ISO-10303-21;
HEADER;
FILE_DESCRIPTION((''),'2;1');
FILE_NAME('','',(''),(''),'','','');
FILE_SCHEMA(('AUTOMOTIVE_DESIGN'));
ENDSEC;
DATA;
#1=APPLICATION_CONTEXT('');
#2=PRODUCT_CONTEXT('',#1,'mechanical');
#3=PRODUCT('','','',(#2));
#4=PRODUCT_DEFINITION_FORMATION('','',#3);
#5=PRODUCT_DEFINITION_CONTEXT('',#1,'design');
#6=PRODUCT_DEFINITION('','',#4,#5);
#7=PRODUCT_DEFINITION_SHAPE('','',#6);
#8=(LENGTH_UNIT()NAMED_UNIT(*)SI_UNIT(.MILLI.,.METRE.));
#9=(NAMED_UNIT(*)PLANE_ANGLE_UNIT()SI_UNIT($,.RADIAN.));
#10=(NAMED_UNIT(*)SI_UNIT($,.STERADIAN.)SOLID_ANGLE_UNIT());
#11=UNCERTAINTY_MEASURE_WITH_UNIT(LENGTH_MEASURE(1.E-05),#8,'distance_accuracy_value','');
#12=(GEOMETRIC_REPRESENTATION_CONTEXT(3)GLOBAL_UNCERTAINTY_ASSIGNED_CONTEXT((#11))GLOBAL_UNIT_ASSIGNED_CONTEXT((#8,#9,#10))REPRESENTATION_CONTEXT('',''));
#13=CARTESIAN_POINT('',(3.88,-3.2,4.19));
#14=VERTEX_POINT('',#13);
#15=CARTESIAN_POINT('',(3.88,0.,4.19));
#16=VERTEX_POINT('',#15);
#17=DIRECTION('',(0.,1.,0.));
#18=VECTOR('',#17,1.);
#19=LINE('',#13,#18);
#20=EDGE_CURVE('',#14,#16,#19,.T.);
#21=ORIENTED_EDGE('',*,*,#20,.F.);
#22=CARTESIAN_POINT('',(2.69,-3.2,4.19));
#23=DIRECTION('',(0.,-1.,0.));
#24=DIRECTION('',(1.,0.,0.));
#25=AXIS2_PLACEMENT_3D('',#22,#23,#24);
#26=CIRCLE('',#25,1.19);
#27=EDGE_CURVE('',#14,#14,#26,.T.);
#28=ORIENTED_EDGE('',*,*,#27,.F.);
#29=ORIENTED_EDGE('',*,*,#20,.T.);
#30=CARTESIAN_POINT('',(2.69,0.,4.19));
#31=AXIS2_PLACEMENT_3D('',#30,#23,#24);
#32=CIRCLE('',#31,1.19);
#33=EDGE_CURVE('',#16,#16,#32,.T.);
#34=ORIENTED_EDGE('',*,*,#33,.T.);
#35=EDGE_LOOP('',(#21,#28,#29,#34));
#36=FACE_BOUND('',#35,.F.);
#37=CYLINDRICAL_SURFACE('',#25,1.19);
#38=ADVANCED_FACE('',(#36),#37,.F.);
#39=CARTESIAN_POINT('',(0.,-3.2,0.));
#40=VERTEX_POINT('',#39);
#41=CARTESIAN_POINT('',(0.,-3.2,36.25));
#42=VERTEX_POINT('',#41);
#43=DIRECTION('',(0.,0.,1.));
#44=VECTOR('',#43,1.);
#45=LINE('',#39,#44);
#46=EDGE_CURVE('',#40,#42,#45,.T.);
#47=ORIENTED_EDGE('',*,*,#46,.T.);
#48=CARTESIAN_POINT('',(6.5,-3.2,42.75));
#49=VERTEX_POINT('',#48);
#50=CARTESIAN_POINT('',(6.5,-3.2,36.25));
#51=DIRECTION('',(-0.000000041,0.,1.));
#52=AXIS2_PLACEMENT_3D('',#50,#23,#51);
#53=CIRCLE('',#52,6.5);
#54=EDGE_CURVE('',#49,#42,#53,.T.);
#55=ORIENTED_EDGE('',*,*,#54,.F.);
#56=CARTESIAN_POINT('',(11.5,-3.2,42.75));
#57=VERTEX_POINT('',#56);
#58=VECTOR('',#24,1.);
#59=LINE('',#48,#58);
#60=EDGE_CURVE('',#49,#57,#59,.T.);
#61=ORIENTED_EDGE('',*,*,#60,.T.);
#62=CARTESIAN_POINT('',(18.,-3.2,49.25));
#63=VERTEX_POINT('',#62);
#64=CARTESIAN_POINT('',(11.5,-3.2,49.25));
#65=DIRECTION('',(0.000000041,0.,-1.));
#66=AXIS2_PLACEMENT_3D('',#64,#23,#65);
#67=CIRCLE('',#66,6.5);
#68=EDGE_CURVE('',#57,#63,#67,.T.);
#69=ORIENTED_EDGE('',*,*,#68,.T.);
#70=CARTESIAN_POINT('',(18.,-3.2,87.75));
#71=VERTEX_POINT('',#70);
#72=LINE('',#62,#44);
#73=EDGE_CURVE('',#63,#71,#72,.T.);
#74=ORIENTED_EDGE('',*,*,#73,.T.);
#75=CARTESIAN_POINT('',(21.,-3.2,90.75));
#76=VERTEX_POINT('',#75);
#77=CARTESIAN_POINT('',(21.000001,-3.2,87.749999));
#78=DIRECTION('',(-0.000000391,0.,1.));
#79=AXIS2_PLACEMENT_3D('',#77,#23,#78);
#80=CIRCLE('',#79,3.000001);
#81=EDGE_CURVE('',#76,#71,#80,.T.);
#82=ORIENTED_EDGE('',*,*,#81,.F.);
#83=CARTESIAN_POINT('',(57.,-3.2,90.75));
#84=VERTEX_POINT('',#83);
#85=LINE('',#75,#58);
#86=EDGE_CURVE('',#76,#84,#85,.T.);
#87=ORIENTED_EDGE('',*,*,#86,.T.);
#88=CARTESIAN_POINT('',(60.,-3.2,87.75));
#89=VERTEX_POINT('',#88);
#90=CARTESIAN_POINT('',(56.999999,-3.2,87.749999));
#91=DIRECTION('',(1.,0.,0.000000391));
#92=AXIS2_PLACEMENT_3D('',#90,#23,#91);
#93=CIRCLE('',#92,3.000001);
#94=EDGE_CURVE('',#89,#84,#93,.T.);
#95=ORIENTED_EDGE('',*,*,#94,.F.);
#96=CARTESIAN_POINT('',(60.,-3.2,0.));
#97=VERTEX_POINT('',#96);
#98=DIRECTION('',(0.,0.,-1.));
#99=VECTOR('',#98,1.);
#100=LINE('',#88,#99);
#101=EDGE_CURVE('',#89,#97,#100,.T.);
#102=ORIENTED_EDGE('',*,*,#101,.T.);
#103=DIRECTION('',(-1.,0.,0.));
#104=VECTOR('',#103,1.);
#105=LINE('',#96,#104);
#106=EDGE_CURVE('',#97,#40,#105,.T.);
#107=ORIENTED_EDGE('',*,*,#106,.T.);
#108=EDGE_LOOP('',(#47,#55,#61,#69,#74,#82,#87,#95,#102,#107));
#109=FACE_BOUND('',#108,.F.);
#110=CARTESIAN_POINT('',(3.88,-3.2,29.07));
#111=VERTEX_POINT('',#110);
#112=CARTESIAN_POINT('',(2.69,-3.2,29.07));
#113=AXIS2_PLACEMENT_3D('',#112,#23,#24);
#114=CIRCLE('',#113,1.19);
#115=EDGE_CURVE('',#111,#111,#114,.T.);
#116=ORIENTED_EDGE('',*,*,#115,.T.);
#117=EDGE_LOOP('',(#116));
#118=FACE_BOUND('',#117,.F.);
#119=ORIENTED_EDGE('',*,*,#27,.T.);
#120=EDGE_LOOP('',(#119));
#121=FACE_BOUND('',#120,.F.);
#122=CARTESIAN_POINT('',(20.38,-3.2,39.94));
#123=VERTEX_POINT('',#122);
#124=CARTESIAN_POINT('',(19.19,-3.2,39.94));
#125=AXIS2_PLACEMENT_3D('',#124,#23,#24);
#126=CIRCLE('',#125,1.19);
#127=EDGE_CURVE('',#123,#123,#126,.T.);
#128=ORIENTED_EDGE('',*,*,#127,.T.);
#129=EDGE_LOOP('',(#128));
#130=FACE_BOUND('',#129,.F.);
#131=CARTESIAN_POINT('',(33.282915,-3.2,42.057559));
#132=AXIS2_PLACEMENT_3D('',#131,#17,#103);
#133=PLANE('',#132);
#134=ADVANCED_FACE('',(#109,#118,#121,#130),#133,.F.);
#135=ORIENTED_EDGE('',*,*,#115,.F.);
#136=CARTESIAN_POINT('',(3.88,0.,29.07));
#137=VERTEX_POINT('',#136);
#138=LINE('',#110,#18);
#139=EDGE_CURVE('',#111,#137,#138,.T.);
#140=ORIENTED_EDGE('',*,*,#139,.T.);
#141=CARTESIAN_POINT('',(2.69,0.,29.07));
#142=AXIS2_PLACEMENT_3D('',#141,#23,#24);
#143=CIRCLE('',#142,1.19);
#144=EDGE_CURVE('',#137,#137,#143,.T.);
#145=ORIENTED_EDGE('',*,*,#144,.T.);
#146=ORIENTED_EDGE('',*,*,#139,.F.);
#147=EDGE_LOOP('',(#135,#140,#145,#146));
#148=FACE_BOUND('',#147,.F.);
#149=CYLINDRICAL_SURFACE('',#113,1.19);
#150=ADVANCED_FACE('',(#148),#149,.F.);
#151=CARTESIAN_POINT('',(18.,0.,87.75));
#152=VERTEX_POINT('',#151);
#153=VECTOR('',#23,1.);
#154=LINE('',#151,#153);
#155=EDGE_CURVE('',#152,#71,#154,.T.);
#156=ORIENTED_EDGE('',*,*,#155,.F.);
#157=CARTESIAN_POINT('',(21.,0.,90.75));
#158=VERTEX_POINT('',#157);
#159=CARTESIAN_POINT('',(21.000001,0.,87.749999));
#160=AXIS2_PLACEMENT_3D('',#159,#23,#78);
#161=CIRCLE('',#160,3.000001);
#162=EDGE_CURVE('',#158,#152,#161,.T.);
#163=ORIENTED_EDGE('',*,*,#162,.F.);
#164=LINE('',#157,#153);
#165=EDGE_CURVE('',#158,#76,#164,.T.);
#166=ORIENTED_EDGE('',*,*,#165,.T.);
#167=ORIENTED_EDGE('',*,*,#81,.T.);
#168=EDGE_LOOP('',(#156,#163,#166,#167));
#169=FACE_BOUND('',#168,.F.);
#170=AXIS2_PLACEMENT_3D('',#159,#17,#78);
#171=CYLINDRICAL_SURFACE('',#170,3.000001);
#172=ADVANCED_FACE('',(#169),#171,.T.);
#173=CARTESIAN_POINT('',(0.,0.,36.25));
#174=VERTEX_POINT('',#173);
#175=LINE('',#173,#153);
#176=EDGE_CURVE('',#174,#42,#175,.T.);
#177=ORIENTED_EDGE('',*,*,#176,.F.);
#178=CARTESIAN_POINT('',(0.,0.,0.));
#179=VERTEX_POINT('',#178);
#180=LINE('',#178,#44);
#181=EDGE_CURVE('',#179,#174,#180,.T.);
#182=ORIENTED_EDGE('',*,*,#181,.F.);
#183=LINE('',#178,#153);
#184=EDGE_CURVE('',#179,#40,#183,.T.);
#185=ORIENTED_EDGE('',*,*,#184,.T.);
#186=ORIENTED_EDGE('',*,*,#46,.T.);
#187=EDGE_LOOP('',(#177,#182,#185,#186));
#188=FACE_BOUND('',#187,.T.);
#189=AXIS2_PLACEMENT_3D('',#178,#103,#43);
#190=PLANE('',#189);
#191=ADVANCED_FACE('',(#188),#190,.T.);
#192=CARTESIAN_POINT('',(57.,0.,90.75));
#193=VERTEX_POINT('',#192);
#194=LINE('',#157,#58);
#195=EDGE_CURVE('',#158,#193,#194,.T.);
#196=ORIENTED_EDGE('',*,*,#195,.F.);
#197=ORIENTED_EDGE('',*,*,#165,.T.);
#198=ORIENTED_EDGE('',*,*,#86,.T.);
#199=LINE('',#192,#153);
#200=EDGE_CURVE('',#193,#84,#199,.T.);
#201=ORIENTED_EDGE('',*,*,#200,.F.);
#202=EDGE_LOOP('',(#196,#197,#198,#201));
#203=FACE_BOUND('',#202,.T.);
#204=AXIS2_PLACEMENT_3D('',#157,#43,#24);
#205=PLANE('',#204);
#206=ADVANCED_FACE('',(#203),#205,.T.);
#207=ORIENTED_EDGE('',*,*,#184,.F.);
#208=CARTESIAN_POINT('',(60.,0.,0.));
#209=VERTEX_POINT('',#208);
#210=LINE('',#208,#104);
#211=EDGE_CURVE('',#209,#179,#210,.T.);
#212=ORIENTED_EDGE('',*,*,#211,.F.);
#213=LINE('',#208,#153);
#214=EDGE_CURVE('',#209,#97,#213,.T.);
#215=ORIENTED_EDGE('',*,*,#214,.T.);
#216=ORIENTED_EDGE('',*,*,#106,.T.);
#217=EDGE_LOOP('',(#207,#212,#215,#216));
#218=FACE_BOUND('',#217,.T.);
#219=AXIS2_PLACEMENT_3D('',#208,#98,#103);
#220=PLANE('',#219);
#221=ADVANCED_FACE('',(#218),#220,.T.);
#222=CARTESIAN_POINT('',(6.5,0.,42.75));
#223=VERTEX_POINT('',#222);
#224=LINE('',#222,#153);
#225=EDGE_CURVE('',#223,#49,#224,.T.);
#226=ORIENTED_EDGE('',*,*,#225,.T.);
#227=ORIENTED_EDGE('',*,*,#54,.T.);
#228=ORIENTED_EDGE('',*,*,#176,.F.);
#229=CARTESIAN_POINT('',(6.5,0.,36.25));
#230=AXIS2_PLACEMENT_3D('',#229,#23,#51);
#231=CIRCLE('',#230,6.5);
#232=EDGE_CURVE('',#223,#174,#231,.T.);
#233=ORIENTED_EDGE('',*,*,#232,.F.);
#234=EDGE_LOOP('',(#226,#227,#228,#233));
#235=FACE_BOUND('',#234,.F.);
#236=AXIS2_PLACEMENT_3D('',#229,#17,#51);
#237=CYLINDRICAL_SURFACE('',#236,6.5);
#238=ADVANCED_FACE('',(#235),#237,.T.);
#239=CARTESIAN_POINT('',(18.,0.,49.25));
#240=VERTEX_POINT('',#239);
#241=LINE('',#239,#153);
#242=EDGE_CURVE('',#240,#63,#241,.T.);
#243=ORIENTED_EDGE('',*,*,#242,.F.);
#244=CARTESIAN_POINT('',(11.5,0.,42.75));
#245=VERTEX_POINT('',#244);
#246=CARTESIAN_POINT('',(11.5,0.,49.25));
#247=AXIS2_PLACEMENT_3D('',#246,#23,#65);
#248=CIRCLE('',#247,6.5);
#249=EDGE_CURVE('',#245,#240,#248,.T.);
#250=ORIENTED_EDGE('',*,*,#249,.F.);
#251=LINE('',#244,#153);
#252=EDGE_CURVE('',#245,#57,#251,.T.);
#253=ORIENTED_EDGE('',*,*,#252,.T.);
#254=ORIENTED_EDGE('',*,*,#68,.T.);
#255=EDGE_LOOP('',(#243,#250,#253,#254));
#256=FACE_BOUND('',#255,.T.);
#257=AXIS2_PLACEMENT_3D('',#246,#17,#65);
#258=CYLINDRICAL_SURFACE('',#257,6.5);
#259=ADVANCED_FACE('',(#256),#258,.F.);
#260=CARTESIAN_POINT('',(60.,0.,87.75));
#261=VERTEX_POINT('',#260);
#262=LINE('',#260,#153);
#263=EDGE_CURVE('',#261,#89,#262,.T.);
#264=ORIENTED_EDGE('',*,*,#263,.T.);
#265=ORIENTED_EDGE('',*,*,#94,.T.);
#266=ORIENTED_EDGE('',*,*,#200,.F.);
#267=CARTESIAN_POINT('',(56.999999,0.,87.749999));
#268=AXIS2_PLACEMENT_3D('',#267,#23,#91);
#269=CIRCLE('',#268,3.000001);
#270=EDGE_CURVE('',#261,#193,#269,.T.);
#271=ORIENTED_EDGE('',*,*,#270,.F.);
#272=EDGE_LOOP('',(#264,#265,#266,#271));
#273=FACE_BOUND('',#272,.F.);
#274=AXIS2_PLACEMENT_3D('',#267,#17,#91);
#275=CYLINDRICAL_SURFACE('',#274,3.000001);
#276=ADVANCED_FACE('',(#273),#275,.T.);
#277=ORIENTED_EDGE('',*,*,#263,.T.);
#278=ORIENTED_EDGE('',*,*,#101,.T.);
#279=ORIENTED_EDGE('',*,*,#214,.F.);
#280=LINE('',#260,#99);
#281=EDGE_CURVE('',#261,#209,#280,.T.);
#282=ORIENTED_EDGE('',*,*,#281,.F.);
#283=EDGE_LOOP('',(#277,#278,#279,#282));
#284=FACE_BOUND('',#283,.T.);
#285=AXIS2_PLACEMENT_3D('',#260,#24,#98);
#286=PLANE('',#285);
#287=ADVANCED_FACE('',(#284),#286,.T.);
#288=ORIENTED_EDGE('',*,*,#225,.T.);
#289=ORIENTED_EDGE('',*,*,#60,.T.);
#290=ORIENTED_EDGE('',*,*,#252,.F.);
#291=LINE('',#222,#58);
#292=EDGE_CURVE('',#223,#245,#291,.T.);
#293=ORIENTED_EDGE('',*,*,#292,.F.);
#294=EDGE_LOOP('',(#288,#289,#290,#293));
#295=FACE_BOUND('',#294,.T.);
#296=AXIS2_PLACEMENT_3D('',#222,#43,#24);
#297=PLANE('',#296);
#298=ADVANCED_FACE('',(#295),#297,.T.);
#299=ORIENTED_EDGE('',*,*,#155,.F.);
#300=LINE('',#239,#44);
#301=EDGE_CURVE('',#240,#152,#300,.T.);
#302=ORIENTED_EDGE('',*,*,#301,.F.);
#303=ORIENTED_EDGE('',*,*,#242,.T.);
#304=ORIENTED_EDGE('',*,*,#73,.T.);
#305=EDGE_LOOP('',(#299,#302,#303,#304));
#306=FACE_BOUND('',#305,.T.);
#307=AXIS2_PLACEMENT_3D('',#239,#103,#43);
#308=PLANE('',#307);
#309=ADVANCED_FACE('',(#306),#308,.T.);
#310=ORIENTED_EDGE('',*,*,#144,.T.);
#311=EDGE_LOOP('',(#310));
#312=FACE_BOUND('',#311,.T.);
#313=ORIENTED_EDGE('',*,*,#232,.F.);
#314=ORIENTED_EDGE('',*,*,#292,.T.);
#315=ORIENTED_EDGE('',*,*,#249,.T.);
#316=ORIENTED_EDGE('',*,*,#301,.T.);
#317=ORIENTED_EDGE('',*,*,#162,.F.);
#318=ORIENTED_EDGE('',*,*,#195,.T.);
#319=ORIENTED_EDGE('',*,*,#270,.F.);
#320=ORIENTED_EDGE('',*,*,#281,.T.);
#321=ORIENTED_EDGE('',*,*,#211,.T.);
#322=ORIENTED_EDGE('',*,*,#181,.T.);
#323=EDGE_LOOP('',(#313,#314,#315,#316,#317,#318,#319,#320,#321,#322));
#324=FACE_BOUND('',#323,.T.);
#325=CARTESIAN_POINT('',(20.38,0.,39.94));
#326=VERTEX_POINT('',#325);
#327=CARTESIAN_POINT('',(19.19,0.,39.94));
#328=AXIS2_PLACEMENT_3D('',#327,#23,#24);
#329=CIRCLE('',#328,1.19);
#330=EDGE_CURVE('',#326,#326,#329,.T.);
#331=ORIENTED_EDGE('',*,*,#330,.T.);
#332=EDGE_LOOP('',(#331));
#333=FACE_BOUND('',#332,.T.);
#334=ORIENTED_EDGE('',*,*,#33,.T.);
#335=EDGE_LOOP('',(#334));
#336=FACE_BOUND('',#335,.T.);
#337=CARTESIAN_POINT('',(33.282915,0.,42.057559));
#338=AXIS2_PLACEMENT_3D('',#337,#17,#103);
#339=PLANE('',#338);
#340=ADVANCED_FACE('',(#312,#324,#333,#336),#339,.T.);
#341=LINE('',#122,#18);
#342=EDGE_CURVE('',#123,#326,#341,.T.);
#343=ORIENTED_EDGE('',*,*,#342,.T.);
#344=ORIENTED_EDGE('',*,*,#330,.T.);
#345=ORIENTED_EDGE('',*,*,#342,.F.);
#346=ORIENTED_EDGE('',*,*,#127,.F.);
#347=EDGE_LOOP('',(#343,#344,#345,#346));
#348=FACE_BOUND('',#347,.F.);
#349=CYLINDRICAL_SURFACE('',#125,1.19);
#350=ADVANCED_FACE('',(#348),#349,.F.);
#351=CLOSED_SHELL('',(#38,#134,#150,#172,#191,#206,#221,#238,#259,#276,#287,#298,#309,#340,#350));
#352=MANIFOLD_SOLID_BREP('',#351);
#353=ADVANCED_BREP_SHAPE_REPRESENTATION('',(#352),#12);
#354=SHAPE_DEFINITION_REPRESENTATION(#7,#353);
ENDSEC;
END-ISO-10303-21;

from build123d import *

# Parameters (mm, degrees)
PAD_DEPTH    = 3.2
SKETCH001_R  = 1.19
POCKET_DEPTH = 3.201


with BuildPart() as part:
    # Sketch → Pad (new body)
    with BuildSketch(Plane.XZ):
        with BuildLine():
            Line((60, 0), (0, 0))
            Line((0, 0), (0, 36.25))
            ThreePointArc((6.5, 42.75), (1.903806, 40.846194), (0, 36.25))
            Line((6.5, 42.75), (11.5, 42.75))
            ThreePointArc((11.5, 42.75), (16.096194, 44.653806), (18, 49.25))
            Line((18, 49.25), (18, 87.75))
            ThreePointArc((21, 90.75), (18.87868, 89.87132), (18, 87.75))
            Line((21, 90.75), (57, 90.75))
            ThreePointArc((60, 87.75), (59.12132, 89.87132), (57, 90.75))
            Line((60, 87.75), (60, 0))
        make_face()
    extrude(amount=PAD_DEPTH)

    # Sketch001 (on Face12 of Pad) → Pocket (cut, through all)
    with BuildSketch(Plane.XZ.offset(3.2)):
        with Locations((19.19, 39.94)):
            Circle(SKETCH001_R)
        with Locations((2.69, 29.07)):
            Circle(SKETCH001_R)
        with Locations((2.69, 4.19)):
            Circle(SKETCH001_R)
    extrude(amount=-POCKET_DEPTH, mode=Mode.SUBTRACT)


solid = part.part
